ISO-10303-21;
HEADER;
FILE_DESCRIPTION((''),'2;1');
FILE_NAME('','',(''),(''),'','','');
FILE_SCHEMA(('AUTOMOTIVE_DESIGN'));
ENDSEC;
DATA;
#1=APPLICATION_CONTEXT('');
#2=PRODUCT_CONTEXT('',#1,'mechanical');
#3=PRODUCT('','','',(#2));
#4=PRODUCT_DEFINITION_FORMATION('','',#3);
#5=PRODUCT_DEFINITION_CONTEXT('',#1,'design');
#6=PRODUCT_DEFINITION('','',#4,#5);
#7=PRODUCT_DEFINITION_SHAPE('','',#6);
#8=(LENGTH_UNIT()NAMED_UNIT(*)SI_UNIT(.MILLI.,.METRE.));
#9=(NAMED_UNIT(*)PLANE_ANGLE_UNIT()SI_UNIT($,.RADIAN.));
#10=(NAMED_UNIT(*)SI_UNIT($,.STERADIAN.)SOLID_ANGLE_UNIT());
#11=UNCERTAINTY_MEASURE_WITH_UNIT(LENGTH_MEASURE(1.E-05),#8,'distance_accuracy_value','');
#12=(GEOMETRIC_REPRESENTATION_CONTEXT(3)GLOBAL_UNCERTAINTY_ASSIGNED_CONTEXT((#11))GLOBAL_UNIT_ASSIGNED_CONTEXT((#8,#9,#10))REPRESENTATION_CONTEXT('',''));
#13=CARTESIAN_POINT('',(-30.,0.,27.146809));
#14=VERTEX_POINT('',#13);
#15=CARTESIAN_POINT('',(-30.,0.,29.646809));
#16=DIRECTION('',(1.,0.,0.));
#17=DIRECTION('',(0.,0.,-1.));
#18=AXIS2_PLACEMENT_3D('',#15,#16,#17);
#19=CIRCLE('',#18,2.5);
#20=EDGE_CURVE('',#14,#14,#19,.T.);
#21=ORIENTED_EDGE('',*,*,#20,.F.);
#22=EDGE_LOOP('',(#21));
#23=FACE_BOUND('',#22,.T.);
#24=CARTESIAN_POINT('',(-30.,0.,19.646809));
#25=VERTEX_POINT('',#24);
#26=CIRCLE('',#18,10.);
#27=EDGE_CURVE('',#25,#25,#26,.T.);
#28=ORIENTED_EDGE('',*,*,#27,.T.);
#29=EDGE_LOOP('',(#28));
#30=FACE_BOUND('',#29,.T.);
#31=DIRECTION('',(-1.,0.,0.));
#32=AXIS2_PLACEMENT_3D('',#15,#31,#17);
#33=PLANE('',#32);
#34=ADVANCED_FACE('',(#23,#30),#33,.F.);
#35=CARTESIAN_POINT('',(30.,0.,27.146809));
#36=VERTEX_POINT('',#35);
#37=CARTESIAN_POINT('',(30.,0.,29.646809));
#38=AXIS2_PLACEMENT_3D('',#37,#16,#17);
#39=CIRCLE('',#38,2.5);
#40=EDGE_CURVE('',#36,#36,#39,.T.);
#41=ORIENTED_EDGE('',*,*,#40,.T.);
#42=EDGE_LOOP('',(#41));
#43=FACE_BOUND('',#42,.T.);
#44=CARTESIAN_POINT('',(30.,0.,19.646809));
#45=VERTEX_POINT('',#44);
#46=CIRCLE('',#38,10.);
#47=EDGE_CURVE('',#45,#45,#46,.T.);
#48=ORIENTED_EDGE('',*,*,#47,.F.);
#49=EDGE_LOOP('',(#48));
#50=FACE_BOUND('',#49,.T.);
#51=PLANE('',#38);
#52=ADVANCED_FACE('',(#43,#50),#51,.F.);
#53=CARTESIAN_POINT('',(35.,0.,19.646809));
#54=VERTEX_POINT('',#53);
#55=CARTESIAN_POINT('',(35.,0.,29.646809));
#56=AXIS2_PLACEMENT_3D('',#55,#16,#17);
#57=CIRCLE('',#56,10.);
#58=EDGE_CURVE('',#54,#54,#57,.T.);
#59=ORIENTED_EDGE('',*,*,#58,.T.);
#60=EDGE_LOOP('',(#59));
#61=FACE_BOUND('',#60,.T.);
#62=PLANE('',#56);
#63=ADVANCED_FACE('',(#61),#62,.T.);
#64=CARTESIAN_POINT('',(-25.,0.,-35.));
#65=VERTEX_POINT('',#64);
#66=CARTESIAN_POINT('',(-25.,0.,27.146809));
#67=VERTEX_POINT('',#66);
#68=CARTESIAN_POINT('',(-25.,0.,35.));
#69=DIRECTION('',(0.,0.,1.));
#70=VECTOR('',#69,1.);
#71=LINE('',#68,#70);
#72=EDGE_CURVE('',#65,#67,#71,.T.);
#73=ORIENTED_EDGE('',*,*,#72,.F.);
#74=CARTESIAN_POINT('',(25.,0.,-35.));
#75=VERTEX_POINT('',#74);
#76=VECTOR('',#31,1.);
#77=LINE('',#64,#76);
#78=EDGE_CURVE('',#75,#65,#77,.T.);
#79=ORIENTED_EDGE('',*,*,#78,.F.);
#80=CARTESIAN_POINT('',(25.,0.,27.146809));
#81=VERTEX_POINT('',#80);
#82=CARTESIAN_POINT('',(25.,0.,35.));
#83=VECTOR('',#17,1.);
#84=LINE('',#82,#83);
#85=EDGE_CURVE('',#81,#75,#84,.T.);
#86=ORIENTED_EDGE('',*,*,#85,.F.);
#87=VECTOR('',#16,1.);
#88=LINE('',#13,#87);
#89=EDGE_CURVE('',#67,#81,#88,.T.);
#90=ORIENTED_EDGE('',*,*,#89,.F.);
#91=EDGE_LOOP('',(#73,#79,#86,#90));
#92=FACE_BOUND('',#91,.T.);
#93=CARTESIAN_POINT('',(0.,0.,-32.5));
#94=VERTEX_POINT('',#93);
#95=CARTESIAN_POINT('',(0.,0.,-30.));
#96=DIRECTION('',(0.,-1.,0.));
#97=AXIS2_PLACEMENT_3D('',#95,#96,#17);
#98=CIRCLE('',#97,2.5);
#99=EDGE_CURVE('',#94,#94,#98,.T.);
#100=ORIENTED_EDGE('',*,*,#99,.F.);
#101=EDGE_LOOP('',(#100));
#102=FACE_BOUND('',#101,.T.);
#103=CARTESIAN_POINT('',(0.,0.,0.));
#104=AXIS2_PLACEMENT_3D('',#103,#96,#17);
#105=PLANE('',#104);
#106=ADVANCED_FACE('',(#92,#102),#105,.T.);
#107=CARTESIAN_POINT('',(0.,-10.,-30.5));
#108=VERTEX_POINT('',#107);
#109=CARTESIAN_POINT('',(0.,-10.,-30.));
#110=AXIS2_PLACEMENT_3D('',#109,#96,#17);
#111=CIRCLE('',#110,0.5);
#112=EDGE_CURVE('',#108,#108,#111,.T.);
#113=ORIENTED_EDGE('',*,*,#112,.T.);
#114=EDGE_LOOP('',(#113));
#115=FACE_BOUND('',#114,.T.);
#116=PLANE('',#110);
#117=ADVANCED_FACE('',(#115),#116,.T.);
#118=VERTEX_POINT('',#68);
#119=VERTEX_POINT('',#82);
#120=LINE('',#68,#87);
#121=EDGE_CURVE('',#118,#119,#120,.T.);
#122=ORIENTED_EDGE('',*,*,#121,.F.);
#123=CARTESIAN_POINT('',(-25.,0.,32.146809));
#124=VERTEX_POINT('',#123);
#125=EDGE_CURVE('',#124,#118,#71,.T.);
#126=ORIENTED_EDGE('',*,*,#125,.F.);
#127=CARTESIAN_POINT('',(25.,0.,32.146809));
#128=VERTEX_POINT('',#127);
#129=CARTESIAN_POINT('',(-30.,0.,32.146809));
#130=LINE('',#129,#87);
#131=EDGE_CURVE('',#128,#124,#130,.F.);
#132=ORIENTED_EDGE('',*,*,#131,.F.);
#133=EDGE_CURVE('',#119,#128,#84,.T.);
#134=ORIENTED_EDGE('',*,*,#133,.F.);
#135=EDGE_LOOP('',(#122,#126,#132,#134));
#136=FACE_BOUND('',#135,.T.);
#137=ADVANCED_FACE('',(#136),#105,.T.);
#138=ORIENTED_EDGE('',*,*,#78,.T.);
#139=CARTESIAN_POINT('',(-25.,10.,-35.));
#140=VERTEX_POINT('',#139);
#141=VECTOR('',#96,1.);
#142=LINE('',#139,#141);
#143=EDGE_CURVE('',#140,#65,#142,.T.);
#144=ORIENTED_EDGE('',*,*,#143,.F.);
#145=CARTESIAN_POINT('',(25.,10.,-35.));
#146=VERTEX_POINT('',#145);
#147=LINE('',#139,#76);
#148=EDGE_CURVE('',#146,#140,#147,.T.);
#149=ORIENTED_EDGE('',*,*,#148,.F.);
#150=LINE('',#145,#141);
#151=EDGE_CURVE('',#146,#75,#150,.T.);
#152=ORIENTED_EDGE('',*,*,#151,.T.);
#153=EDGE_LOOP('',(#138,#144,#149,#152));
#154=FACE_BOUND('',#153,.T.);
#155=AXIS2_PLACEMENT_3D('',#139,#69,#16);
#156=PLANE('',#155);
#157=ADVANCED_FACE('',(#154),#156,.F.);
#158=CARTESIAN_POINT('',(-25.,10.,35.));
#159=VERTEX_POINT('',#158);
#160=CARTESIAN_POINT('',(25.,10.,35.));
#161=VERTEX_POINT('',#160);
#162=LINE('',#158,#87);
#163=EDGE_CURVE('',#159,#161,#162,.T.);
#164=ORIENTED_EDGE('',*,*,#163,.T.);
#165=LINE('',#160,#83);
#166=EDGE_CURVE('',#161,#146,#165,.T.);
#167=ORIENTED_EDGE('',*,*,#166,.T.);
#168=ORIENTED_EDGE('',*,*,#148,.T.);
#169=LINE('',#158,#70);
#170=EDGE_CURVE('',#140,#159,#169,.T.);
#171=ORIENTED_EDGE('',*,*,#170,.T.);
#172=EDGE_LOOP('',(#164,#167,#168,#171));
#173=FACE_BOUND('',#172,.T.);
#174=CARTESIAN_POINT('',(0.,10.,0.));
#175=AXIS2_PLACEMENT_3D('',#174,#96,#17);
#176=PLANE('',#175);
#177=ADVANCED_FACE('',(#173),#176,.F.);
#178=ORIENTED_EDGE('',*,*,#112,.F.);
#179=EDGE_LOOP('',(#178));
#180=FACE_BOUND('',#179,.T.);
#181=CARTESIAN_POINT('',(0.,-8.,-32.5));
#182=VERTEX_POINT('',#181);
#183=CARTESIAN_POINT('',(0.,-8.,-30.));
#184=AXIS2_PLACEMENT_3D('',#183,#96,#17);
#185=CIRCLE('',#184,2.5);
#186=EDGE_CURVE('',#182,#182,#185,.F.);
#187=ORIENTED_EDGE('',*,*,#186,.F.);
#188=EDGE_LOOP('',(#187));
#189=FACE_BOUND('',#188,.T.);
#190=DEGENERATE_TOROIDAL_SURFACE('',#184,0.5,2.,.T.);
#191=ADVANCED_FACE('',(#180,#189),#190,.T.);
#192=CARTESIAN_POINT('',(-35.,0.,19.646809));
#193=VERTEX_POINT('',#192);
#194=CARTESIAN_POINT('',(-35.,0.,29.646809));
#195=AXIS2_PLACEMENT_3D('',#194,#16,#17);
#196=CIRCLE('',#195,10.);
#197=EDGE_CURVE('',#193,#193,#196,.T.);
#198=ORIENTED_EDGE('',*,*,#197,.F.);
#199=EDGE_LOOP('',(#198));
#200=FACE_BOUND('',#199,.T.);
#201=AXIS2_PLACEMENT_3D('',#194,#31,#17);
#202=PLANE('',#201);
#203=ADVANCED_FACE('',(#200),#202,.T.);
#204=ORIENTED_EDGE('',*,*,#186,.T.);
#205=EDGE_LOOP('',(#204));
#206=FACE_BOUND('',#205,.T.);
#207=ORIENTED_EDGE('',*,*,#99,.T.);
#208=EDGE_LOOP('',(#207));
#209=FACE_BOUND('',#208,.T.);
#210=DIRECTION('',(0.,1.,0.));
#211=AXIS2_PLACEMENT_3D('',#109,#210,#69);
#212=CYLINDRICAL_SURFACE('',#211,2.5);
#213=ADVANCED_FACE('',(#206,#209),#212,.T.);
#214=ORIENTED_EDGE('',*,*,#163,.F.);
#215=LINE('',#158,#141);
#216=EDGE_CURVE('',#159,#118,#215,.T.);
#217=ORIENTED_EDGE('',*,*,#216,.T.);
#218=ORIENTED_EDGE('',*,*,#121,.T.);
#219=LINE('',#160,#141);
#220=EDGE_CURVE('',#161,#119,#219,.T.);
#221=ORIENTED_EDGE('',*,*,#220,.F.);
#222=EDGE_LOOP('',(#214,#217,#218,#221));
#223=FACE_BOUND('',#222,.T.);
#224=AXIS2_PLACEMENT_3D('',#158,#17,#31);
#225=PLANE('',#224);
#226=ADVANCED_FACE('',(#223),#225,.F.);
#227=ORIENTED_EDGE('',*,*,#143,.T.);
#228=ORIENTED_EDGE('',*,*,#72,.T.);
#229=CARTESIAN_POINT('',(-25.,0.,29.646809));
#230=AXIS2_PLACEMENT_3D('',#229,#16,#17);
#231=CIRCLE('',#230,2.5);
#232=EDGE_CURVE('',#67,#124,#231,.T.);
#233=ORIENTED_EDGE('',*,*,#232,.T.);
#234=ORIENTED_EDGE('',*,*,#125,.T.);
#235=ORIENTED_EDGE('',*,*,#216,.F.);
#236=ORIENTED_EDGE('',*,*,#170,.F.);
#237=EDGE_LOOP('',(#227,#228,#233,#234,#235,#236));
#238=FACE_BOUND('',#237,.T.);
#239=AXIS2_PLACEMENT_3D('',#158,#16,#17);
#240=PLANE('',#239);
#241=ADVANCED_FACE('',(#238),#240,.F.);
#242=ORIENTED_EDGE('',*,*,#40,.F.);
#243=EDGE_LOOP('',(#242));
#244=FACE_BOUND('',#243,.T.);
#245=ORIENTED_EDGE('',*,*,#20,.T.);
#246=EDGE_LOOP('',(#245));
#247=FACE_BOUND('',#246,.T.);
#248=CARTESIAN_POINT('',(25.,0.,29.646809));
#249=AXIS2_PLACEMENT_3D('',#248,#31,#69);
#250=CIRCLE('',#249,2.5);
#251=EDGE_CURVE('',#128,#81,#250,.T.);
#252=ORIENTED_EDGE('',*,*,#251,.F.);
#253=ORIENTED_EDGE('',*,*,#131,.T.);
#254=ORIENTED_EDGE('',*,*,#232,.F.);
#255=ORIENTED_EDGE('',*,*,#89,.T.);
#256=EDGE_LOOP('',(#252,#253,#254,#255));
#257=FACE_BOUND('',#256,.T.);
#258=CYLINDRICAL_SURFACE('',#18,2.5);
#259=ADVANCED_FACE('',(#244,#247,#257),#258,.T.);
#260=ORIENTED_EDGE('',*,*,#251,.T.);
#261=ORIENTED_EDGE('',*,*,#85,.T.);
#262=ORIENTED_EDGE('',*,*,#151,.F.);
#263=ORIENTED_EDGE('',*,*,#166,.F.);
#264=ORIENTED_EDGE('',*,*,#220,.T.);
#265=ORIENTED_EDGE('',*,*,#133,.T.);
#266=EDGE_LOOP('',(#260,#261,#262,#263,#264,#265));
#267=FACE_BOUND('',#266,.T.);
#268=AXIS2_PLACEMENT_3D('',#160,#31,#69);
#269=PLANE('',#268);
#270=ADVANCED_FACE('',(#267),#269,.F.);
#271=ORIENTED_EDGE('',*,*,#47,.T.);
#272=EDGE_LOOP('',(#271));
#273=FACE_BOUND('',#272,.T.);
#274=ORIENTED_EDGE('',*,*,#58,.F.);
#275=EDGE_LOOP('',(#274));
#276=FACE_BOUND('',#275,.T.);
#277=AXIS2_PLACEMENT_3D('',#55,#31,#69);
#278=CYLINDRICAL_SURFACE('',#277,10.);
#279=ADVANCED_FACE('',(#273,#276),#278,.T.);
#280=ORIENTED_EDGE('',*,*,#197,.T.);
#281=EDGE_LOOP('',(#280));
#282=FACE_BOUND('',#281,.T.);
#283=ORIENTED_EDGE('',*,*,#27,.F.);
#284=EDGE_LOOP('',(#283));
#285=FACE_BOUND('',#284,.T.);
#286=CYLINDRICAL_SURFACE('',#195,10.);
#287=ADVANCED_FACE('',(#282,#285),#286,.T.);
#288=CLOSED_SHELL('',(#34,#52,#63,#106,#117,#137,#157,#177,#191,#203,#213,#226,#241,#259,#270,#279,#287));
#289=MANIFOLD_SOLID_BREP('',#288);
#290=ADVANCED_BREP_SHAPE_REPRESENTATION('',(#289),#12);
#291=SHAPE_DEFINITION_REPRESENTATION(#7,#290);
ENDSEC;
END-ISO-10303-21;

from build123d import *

# Parameters (mm, degrees)
CROQUIS2_W                   = 50
CROQUIS2_H                   = 70
SALIENTE_EXTRUIR1_DEPTH      = 10
SALIENTE_EXTRUIR2_DEPTH      = 30
SALIENTE_EXTRUIR2_DEPTH_BACK = 30
CROQUIS4_R                   = 2.5
CROQUIS5_R                   = 10
SALIENTE_EXTRUIR3_DEPTH      = 5
CROQUIS6_R                   = 2.5
SALIENTE_EXTRUIR4_DEPTH      = 10
REDONDEO1_R                  = 2


with BuildPart() as part:
    # Croquis2 → Saliente-Extruir1 (new body)
    with BuildSketch(Plane(origin=(0, 0, 0), x_dir=(1, 0, 0), z_dir=(0, 1, 0))):
        Rectangle(CROQUIS2_W, CROQUIS2_H)
    extrude(amount=SALIENTE_EXTRUIR1_DEPTH)

    # Croquis4 → Saliente-Extruir2 (add, two sides: drawn at the far end of the back side and taken through both)
    with BuildSketch(Plane(origin=(0, 0, 0), x_dir=(0, 0, -1), z_dir=(1, 0, 0)).offset(-SALIENTE_EXTRUIR2_DEPTH_BACK)):
        with Locations((-29.646809276, 0)):
            Circle(CROQUIS4_R)
    extrude(amount=SALIENTE_EXTRUIR2_DEPTH + SALIENTE_EXTRUIR2_DEPTH_BACK)

    # Croquis5 → Saliente-Extruir3 (add)
    with BuildSketch(Plane(origin=(30, 0, 0), x_dir=(0, 0, -1), z_dir=(1, 0, 0))):
        with Locations((-29.646809276, 0)):
            Circle(CROQUIS5_R)
    saliente_extruir3 = extrude(amount=SALIENTE_EXTRUIR3_DEPTH)

    # Simetría1: Saliente-Extruir3 across plane
    add(saliente_extruir3.mirror(Plane(origin=(0, 0, 0), x_dir=(0, 0, 1), z_dir=(1, 0, 0))))

    # Croquis6 → Saliente-Extruir4 (add)
    with BuildSketch(Plane.XZ):
        with Locations(Location((0, -30, 0), (0, 0, 270))):
            Circle(CROQUIS6_R)
    extrude(amount=SALIENTE_EXTRUIR4_DEPTH)

    # Redondeo1
    redondeo1_edges = [part.edges().sort_by_distance(p)[0] for p in [
        (0, -10, -27.5),
    ]]
    fillet(redondeo1_edges, radius=REDONDEO1_R)


solid = part.part
